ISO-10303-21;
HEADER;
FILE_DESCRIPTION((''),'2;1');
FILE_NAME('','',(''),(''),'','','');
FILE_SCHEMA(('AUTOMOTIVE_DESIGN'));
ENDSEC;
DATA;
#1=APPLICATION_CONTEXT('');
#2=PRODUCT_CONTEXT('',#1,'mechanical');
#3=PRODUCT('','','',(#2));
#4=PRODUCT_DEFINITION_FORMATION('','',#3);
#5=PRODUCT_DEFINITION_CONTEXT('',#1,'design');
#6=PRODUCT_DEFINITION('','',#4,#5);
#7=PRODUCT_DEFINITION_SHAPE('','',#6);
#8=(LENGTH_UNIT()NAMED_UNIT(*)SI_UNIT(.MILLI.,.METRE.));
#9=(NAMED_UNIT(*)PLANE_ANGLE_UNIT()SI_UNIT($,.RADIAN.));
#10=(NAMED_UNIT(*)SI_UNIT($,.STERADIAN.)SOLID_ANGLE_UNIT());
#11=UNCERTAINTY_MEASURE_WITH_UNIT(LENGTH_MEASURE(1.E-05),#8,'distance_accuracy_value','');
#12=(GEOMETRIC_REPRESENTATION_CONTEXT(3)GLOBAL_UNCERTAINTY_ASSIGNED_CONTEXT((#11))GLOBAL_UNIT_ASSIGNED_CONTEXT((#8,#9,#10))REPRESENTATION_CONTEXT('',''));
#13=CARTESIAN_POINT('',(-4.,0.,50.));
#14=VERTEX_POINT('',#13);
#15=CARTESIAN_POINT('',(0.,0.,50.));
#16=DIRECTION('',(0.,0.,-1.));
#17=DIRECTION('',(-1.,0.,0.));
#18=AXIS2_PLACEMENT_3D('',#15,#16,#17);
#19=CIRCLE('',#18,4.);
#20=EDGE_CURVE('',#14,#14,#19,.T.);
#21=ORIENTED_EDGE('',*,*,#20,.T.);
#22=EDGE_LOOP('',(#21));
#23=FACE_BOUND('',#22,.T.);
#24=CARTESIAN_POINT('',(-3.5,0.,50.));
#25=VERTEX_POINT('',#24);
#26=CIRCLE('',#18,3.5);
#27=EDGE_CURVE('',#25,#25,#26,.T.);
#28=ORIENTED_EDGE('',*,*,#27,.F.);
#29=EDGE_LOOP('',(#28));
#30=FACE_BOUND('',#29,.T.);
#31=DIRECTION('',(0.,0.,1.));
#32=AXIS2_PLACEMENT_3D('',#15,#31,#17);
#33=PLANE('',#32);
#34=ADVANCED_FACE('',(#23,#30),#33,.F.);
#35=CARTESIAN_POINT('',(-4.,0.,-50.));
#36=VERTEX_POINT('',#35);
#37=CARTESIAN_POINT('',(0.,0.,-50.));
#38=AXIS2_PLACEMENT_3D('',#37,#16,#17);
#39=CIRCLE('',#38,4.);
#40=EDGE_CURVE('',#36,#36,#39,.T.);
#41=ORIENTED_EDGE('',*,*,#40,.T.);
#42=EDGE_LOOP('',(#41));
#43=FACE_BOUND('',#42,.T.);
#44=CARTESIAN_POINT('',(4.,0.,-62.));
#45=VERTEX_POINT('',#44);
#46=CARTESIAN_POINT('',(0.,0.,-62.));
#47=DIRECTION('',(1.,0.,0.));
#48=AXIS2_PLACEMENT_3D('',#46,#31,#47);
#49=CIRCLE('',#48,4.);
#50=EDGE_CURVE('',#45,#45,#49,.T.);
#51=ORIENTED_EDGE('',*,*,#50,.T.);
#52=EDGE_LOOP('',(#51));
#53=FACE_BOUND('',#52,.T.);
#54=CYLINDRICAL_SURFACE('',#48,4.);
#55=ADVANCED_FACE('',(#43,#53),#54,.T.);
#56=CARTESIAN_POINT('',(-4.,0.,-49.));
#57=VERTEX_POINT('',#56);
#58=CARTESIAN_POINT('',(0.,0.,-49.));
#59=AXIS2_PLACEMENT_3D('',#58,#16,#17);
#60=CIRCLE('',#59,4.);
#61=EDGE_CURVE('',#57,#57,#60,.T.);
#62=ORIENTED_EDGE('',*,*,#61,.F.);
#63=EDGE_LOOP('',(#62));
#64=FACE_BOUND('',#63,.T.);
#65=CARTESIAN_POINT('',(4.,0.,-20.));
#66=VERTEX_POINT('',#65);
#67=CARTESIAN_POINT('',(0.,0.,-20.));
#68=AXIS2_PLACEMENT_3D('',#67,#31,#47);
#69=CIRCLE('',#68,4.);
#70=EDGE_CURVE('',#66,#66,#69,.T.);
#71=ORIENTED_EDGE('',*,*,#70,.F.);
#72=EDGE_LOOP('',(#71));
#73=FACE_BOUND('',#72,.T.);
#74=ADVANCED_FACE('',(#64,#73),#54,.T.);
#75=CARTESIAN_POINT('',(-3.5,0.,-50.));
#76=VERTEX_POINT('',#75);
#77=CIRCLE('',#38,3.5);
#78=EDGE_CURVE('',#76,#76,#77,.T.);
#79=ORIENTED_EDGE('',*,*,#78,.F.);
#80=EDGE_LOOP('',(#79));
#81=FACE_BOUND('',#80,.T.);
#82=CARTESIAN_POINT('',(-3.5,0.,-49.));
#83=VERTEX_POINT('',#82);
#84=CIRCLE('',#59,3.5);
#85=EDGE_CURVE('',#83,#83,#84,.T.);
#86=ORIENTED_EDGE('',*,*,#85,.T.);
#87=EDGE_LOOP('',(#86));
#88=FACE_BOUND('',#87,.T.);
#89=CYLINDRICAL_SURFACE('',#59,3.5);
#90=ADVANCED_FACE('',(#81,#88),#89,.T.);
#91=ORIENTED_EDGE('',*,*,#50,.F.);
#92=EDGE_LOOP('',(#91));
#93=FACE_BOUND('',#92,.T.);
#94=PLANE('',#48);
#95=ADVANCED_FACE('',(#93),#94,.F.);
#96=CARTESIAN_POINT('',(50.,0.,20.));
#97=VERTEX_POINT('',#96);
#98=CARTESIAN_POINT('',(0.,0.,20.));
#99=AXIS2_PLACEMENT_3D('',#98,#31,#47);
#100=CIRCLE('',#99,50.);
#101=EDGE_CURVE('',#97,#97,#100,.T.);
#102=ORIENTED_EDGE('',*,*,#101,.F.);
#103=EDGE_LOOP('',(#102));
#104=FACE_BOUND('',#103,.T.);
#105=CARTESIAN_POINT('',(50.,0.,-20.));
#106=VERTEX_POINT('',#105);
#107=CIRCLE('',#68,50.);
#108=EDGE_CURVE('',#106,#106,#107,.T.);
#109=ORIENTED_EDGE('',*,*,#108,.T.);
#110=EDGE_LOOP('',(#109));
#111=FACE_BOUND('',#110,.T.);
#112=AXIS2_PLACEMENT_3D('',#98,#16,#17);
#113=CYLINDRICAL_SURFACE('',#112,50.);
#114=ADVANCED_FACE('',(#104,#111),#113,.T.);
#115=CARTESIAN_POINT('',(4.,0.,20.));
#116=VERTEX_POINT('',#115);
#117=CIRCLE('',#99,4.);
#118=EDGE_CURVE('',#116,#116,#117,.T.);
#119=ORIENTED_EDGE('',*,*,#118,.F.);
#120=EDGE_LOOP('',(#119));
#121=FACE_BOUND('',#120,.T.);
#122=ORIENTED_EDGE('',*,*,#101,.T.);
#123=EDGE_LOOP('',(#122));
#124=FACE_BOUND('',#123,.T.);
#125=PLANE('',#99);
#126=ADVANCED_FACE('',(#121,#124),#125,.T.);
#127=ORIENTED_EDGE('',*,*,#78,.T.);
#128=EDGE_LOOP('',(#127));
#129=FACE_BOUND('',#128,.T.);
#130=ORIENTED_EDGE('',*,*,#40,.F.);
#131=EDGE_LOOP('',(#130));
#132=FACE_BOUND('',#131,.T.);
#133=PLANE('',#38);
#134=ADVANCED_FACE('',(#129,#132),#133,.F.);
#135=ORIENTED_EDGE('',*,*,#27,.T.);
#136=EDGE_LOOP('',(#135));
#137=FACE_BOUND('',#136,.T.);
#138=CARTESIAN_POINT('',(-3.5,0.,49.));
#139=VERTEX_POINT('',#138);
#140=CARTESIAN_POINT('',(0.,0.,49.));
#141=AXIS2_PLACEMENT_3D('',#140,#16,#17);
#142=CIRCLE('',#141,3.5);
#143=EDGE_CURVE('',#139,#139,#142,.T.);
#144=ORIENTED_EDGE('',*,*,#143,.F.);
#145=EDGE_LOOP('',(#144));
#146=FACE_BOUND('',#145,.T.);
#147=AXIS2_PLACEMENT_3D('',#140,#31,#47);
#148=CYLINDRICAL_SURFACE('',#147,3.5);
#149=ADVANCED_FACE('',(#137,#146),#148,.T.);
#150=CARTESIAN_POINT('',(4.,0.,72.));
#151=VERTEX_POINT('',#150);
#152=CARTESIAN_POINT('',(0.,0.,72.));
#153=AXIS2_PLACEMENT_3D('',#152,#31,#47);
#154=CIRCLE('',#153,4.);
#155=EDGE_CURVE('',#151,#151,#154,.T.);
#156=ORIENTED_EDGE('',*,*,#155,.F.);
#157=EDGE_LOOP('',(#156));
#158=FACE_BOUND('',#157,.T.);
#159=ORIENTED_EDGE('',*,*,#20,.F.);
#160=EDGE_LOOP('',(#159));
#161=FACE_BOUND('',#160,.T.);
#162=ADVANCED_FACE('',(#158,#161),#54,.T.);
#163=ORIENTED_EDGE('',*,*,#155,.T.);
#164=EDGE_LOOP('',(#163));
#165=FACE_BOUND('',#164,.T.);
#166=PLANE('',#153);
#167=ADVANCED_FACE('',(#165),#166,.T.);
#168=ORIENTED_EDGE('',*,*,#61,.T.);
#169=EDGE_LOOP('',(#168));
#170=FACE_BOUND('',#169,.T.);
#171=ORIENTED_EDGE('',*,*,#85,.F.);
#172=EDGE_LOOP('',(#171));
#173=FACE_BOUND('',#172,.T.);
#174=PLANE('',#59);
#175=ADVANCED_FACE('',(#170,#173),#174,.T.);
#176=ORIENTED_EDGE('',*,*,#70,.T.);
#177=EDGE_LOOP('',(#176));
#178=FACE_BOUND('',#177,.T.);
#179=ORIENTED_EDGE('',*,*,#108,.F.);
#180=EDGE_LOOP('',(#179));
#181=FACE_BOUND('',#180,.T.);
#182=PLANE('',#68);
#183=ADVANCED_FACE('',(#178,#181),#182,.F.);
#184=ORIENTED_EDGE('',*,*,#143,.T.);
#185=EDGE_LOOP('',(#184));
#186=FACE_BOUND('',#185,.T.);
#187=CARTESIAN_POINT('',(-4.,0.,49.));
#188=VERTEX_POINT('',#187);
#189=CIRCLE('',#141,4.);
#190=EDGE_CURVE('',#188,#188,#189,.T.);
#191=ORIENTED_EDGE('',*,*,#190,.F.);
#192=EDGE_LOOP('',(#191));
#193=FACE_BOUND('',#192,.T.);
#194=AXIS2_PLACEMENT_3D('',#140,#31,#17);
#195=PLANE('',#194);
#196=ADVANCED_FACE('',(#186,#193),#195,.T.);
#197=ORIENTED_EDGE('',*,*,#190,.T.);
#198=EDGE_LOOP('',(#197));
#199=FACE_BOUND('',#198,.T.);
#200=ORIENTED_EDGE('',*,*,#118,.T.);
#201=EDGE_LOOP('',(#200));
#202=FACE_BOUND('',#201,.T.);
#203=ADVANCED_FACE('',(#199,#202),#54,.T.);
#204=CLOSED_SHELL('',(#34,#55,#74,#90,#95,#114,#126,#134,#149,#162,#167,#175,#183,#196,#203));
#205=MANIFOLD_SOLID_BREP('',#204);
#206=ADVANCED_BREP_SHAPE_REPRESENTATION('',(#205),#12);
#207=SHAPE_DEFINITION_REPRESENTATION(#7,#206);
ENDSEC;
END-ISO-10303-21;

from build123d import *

# Parameters (mm, degrees)
SKETCH1_R                = 50
BOSS_EXTRUDE1_DEPTH      = 20
BOSS_EXTRUDE2_DEPTH      = 52
BOSS_EXTRUDE2_DEPTH_BACK = 82
SKETCH2_R                = 4
SKETCH3_R                = 4
SKETCH3_R_2              = 3.5
CUT_EXTRUDE1_DEPTH       = 1


with BuildPart() as part:
    # Sketch1 → Boss-Extrude1 (new, symmetric)
    with BuildSketch(Plane.XY):
        Circle(SKETCH1_R)
    extrude(amount=BOSS_EXTRUDE1_DEPTH, both=True)

    # Sketch2 → Boss-Extrude2 (add, two sides: drawn at the far end of the back side and taken through both)
    with BuildSketch(Plane.XY.offset(20).offset(-BOSS_EXTRUDE2_DEPTH_BACK)):
        Circle(SKETCH2_R)
    extrude(amount=BOSS_EXTRUDE2_DEPTH + BOSS_EXTRUDE2_DEPTH_BACK)

    # Sketch3 → Cut-Extrude1 (cut)
    with BuildSketch(Plane(origin=(0, 0, -50), x_dir=(-1, 0, 0), z_dir=(0, 0, -1))):
        with Locations(Location((0, 0, 0), (0, 0, 180))):
            Circle(SKETCH3_R)
        Circle(SKETCH3_R_2, mode=Mode.SUBTRACT)
    cut_extrude1 = extrude(amount=-CUT_EXTRUDE1_DEPTH, mode=Mode.SUBTRACT)

    # Mirror1: Cut-Extrude1 across plane
    add(cut_extrude1.mirror(Plane.XY), mode=Mode.SUBTRACT)


solid = part.part
